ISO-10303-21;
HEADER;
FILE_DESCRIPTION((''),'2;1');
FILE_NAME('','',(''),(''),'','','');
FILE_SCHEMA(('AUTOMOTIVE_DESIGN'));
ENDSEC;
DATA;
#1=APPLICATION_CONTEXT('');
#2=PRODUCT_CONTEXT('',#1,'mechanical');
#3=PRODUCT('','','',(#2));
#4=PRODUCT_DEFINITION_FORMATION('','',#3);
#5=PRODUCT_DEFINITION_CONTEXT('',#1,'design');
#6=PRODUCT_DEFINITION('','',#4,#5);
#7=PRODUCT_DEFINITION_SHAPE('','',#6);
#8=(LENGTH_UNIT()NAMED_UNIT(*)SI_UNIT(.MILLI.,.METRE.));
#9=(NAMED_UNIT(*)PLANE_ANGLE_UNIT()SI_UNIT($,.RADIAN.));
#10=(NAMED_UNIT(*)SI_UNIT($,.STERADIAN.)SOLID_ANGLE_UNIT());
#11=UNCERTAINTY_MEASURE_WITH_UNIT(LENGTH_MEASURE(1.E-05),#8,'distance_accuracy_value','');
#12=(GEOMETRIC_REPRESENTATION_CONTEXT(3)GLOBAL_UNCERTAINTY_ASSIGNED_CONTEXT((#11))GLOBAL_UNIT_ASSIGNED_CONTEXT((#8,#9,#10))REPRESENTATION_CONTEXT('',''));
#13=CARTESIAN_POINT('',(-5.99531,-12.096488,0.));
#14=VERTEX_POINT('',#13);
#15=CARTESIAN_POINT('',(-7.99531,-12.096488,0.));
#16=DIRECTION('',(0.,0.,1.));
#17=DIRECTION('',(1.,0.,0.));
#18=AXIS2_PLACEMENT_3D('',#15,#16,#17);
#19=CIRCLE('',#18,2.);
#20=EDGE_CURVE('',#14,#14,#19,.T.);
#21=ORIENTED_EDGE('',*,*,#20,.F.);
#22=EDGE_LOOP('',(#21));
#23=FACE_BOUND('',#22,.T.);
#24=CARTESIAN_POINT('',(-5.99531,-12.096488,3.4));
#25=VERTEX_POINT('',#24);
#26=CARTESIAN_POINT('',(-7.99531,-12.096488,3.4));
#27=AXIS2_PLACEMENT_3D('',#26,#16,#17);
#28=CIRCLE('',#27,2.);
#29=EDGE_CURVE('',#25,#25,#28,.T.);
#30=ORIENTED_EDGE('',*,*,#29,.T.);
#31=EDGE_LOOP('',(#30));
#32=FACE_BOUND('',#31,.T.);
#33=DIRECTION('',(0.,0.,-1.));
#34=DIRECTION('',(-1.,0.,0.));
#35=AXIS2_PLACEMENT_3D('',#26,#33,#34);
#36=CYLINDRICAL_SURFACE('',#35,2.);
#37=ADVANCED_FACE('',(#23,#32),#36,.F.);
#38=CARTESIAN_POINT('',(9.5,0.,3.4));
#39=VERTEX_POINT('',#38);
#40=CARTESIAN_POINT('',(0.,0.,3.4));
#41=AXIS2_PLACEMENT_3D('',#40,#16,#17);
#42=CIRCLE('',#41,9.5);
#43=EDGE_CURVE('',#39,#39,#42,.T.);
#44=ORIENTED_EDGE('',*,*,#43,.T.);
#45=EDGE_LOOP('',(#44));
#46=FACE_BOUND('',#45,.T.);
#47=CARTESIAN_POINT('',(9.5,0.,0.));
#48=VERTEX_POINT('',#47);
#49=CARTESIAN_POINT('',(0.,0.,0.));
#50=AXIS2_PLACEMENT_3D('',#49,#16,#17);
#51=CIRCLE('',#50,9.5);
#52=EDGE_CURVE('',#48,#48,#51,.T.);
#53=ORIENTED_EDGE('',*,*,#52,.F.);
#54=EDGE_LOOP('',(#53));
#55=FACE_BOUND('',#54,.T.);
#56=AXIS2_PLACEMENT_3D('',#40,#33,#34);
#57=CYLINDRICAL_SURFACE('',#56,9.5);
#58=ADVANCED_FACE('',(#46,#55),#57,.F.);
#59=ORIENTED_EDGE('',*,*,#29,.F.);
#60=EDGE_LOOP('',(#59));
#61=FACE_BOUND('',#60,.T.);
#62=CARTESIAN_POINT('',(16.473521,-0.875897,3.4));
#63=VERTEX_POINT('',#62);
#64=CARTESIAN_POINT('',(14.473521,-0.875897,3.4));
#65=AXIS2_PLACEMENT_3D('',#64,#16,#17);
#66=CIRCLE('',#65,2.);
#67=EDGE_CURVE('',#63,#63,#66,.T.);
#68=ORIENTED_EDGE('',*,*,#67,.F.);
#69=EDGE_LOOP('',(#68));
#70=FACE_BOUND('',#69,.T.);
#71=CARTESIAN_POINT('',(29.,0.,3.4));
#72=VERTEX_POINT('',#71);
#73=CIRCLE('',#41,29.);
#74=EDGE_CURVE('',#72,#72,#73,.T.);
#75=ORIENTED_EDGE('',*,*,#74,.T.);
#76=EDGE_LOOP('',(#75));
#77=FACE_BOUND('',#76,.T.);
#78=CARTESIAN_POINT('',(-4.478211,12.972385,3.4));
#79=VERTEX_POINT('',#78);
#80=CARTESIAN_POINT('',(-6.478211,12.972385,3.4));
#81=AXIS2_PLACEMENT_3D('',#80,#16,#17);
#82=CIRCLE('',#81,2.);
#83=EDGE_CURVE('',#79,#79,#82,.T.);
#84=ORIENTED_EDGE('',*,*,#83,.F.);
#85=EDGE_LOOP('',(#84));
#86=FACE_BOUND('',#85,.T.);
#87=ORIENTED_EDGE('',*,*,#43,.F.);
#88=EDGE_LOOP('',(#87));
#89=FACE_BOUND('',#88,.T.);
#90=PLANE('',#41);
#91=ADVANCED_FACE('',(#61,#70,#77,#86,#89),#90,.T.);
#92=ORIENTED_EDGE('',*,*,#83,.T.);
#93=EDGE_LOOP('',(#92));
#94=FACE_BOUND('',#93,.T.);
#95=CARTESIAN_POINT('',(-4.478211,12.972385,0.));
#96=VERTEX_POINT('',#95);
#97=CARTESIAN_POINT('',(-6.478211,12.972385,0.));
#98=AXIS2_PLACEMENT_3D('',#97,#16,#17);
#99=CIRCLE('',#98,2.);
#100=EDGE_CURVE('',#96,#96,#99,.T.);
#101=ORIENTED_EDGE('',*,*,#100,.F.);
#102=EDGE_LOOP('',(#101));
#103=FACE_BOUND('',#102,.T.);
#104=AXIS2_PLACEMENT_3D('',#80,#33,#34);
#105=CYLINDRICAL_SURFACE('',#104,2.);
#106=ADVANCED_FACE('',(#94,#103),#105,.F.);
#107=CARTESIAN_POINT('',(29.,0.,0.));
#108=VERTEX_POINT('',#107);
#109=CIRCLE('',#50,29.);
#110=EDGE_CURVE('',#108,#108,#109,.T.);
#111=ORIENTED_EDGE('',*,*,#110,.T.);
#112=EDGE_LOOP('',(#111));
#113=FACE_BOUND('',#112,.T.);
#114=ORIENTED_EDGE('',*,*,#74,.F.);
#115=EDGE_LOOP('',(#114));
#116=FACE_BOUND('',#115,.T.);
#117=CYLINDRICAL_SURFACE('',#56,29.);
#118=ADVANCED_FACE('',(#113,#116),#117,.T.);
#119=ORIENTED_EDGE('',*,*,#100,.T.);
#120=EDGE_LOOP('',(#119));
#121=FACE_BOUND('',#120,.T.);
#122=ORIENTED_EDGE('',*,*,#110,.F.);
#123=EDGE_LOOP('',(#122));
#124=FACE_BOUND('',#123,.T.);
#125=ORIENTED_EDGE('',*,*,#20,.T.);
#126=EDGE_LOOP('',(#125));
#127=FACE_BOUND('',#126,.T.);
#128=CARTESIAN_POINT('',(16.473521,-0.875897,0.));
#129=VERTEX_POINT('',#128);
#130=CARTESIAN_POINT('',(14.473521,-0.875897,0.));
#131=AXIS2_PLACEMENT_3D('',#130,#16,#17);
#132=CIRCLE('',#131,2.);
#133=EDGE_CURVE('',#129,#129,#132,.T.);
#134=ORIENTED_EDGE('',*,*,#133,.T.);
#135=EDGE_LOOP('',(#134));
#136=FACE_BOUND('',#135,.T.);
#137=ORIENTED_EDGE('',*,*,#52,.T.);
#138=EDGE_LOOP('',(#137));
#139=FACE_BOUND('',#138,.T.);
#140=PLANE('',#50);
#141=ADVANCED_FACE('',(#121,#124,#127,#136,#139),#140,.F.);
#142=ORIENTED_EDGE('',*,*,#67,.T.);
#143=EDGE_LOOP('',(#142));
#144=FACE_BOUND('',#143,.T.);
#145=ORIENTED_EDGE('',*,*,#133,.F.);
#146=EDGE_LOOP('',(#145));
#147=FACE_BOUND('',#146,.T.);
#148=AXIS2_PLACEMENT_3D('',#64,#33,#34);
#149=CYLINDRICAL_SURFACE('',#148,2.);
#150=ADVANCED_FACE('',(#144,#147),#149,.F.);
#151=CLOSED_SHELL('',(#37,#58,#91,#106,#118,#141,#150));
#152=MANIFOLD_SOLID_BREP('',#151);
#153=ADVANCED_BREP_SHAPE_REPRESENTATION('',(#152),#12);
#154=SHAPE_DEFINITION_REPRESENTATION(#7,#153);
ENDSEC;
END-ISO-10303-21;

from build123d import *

# Parameters (mm, degrees)
SKETCH1_R           = 29
SKETCH1_R_2         = 9.5
SKETCH1_R_3         = 2
BOSS_EXTRUDE1_DEPTH = 3.4


with BuildPart() as part:
    # Sketch1 → Boss-Extrude1 (new body)
    with BuildSketch(Plane.XY):
        Circle(SKETCH1_R)
        Circle(SKETCH1_R_2, mode=Mode.SUBTRACT)
        with Locations((-6.478211144, 12.9723853)):
            Circle(SKETCH1_R_3, mode=Mode.SUBTRACT)
        with Locations((14.47352079, -0.875897228)):
            Circle(SKETCH1_R_3, mode=Mode.SUBTRACT)
        with Locations((-7.995309646, -12.096488072)):
            Circle(SKETCH1_R_3, mode=Mode.SUBTRACT)
    extrude(amount=BOSS_EXTRUDE1_DEPTH)


solid = part.part
